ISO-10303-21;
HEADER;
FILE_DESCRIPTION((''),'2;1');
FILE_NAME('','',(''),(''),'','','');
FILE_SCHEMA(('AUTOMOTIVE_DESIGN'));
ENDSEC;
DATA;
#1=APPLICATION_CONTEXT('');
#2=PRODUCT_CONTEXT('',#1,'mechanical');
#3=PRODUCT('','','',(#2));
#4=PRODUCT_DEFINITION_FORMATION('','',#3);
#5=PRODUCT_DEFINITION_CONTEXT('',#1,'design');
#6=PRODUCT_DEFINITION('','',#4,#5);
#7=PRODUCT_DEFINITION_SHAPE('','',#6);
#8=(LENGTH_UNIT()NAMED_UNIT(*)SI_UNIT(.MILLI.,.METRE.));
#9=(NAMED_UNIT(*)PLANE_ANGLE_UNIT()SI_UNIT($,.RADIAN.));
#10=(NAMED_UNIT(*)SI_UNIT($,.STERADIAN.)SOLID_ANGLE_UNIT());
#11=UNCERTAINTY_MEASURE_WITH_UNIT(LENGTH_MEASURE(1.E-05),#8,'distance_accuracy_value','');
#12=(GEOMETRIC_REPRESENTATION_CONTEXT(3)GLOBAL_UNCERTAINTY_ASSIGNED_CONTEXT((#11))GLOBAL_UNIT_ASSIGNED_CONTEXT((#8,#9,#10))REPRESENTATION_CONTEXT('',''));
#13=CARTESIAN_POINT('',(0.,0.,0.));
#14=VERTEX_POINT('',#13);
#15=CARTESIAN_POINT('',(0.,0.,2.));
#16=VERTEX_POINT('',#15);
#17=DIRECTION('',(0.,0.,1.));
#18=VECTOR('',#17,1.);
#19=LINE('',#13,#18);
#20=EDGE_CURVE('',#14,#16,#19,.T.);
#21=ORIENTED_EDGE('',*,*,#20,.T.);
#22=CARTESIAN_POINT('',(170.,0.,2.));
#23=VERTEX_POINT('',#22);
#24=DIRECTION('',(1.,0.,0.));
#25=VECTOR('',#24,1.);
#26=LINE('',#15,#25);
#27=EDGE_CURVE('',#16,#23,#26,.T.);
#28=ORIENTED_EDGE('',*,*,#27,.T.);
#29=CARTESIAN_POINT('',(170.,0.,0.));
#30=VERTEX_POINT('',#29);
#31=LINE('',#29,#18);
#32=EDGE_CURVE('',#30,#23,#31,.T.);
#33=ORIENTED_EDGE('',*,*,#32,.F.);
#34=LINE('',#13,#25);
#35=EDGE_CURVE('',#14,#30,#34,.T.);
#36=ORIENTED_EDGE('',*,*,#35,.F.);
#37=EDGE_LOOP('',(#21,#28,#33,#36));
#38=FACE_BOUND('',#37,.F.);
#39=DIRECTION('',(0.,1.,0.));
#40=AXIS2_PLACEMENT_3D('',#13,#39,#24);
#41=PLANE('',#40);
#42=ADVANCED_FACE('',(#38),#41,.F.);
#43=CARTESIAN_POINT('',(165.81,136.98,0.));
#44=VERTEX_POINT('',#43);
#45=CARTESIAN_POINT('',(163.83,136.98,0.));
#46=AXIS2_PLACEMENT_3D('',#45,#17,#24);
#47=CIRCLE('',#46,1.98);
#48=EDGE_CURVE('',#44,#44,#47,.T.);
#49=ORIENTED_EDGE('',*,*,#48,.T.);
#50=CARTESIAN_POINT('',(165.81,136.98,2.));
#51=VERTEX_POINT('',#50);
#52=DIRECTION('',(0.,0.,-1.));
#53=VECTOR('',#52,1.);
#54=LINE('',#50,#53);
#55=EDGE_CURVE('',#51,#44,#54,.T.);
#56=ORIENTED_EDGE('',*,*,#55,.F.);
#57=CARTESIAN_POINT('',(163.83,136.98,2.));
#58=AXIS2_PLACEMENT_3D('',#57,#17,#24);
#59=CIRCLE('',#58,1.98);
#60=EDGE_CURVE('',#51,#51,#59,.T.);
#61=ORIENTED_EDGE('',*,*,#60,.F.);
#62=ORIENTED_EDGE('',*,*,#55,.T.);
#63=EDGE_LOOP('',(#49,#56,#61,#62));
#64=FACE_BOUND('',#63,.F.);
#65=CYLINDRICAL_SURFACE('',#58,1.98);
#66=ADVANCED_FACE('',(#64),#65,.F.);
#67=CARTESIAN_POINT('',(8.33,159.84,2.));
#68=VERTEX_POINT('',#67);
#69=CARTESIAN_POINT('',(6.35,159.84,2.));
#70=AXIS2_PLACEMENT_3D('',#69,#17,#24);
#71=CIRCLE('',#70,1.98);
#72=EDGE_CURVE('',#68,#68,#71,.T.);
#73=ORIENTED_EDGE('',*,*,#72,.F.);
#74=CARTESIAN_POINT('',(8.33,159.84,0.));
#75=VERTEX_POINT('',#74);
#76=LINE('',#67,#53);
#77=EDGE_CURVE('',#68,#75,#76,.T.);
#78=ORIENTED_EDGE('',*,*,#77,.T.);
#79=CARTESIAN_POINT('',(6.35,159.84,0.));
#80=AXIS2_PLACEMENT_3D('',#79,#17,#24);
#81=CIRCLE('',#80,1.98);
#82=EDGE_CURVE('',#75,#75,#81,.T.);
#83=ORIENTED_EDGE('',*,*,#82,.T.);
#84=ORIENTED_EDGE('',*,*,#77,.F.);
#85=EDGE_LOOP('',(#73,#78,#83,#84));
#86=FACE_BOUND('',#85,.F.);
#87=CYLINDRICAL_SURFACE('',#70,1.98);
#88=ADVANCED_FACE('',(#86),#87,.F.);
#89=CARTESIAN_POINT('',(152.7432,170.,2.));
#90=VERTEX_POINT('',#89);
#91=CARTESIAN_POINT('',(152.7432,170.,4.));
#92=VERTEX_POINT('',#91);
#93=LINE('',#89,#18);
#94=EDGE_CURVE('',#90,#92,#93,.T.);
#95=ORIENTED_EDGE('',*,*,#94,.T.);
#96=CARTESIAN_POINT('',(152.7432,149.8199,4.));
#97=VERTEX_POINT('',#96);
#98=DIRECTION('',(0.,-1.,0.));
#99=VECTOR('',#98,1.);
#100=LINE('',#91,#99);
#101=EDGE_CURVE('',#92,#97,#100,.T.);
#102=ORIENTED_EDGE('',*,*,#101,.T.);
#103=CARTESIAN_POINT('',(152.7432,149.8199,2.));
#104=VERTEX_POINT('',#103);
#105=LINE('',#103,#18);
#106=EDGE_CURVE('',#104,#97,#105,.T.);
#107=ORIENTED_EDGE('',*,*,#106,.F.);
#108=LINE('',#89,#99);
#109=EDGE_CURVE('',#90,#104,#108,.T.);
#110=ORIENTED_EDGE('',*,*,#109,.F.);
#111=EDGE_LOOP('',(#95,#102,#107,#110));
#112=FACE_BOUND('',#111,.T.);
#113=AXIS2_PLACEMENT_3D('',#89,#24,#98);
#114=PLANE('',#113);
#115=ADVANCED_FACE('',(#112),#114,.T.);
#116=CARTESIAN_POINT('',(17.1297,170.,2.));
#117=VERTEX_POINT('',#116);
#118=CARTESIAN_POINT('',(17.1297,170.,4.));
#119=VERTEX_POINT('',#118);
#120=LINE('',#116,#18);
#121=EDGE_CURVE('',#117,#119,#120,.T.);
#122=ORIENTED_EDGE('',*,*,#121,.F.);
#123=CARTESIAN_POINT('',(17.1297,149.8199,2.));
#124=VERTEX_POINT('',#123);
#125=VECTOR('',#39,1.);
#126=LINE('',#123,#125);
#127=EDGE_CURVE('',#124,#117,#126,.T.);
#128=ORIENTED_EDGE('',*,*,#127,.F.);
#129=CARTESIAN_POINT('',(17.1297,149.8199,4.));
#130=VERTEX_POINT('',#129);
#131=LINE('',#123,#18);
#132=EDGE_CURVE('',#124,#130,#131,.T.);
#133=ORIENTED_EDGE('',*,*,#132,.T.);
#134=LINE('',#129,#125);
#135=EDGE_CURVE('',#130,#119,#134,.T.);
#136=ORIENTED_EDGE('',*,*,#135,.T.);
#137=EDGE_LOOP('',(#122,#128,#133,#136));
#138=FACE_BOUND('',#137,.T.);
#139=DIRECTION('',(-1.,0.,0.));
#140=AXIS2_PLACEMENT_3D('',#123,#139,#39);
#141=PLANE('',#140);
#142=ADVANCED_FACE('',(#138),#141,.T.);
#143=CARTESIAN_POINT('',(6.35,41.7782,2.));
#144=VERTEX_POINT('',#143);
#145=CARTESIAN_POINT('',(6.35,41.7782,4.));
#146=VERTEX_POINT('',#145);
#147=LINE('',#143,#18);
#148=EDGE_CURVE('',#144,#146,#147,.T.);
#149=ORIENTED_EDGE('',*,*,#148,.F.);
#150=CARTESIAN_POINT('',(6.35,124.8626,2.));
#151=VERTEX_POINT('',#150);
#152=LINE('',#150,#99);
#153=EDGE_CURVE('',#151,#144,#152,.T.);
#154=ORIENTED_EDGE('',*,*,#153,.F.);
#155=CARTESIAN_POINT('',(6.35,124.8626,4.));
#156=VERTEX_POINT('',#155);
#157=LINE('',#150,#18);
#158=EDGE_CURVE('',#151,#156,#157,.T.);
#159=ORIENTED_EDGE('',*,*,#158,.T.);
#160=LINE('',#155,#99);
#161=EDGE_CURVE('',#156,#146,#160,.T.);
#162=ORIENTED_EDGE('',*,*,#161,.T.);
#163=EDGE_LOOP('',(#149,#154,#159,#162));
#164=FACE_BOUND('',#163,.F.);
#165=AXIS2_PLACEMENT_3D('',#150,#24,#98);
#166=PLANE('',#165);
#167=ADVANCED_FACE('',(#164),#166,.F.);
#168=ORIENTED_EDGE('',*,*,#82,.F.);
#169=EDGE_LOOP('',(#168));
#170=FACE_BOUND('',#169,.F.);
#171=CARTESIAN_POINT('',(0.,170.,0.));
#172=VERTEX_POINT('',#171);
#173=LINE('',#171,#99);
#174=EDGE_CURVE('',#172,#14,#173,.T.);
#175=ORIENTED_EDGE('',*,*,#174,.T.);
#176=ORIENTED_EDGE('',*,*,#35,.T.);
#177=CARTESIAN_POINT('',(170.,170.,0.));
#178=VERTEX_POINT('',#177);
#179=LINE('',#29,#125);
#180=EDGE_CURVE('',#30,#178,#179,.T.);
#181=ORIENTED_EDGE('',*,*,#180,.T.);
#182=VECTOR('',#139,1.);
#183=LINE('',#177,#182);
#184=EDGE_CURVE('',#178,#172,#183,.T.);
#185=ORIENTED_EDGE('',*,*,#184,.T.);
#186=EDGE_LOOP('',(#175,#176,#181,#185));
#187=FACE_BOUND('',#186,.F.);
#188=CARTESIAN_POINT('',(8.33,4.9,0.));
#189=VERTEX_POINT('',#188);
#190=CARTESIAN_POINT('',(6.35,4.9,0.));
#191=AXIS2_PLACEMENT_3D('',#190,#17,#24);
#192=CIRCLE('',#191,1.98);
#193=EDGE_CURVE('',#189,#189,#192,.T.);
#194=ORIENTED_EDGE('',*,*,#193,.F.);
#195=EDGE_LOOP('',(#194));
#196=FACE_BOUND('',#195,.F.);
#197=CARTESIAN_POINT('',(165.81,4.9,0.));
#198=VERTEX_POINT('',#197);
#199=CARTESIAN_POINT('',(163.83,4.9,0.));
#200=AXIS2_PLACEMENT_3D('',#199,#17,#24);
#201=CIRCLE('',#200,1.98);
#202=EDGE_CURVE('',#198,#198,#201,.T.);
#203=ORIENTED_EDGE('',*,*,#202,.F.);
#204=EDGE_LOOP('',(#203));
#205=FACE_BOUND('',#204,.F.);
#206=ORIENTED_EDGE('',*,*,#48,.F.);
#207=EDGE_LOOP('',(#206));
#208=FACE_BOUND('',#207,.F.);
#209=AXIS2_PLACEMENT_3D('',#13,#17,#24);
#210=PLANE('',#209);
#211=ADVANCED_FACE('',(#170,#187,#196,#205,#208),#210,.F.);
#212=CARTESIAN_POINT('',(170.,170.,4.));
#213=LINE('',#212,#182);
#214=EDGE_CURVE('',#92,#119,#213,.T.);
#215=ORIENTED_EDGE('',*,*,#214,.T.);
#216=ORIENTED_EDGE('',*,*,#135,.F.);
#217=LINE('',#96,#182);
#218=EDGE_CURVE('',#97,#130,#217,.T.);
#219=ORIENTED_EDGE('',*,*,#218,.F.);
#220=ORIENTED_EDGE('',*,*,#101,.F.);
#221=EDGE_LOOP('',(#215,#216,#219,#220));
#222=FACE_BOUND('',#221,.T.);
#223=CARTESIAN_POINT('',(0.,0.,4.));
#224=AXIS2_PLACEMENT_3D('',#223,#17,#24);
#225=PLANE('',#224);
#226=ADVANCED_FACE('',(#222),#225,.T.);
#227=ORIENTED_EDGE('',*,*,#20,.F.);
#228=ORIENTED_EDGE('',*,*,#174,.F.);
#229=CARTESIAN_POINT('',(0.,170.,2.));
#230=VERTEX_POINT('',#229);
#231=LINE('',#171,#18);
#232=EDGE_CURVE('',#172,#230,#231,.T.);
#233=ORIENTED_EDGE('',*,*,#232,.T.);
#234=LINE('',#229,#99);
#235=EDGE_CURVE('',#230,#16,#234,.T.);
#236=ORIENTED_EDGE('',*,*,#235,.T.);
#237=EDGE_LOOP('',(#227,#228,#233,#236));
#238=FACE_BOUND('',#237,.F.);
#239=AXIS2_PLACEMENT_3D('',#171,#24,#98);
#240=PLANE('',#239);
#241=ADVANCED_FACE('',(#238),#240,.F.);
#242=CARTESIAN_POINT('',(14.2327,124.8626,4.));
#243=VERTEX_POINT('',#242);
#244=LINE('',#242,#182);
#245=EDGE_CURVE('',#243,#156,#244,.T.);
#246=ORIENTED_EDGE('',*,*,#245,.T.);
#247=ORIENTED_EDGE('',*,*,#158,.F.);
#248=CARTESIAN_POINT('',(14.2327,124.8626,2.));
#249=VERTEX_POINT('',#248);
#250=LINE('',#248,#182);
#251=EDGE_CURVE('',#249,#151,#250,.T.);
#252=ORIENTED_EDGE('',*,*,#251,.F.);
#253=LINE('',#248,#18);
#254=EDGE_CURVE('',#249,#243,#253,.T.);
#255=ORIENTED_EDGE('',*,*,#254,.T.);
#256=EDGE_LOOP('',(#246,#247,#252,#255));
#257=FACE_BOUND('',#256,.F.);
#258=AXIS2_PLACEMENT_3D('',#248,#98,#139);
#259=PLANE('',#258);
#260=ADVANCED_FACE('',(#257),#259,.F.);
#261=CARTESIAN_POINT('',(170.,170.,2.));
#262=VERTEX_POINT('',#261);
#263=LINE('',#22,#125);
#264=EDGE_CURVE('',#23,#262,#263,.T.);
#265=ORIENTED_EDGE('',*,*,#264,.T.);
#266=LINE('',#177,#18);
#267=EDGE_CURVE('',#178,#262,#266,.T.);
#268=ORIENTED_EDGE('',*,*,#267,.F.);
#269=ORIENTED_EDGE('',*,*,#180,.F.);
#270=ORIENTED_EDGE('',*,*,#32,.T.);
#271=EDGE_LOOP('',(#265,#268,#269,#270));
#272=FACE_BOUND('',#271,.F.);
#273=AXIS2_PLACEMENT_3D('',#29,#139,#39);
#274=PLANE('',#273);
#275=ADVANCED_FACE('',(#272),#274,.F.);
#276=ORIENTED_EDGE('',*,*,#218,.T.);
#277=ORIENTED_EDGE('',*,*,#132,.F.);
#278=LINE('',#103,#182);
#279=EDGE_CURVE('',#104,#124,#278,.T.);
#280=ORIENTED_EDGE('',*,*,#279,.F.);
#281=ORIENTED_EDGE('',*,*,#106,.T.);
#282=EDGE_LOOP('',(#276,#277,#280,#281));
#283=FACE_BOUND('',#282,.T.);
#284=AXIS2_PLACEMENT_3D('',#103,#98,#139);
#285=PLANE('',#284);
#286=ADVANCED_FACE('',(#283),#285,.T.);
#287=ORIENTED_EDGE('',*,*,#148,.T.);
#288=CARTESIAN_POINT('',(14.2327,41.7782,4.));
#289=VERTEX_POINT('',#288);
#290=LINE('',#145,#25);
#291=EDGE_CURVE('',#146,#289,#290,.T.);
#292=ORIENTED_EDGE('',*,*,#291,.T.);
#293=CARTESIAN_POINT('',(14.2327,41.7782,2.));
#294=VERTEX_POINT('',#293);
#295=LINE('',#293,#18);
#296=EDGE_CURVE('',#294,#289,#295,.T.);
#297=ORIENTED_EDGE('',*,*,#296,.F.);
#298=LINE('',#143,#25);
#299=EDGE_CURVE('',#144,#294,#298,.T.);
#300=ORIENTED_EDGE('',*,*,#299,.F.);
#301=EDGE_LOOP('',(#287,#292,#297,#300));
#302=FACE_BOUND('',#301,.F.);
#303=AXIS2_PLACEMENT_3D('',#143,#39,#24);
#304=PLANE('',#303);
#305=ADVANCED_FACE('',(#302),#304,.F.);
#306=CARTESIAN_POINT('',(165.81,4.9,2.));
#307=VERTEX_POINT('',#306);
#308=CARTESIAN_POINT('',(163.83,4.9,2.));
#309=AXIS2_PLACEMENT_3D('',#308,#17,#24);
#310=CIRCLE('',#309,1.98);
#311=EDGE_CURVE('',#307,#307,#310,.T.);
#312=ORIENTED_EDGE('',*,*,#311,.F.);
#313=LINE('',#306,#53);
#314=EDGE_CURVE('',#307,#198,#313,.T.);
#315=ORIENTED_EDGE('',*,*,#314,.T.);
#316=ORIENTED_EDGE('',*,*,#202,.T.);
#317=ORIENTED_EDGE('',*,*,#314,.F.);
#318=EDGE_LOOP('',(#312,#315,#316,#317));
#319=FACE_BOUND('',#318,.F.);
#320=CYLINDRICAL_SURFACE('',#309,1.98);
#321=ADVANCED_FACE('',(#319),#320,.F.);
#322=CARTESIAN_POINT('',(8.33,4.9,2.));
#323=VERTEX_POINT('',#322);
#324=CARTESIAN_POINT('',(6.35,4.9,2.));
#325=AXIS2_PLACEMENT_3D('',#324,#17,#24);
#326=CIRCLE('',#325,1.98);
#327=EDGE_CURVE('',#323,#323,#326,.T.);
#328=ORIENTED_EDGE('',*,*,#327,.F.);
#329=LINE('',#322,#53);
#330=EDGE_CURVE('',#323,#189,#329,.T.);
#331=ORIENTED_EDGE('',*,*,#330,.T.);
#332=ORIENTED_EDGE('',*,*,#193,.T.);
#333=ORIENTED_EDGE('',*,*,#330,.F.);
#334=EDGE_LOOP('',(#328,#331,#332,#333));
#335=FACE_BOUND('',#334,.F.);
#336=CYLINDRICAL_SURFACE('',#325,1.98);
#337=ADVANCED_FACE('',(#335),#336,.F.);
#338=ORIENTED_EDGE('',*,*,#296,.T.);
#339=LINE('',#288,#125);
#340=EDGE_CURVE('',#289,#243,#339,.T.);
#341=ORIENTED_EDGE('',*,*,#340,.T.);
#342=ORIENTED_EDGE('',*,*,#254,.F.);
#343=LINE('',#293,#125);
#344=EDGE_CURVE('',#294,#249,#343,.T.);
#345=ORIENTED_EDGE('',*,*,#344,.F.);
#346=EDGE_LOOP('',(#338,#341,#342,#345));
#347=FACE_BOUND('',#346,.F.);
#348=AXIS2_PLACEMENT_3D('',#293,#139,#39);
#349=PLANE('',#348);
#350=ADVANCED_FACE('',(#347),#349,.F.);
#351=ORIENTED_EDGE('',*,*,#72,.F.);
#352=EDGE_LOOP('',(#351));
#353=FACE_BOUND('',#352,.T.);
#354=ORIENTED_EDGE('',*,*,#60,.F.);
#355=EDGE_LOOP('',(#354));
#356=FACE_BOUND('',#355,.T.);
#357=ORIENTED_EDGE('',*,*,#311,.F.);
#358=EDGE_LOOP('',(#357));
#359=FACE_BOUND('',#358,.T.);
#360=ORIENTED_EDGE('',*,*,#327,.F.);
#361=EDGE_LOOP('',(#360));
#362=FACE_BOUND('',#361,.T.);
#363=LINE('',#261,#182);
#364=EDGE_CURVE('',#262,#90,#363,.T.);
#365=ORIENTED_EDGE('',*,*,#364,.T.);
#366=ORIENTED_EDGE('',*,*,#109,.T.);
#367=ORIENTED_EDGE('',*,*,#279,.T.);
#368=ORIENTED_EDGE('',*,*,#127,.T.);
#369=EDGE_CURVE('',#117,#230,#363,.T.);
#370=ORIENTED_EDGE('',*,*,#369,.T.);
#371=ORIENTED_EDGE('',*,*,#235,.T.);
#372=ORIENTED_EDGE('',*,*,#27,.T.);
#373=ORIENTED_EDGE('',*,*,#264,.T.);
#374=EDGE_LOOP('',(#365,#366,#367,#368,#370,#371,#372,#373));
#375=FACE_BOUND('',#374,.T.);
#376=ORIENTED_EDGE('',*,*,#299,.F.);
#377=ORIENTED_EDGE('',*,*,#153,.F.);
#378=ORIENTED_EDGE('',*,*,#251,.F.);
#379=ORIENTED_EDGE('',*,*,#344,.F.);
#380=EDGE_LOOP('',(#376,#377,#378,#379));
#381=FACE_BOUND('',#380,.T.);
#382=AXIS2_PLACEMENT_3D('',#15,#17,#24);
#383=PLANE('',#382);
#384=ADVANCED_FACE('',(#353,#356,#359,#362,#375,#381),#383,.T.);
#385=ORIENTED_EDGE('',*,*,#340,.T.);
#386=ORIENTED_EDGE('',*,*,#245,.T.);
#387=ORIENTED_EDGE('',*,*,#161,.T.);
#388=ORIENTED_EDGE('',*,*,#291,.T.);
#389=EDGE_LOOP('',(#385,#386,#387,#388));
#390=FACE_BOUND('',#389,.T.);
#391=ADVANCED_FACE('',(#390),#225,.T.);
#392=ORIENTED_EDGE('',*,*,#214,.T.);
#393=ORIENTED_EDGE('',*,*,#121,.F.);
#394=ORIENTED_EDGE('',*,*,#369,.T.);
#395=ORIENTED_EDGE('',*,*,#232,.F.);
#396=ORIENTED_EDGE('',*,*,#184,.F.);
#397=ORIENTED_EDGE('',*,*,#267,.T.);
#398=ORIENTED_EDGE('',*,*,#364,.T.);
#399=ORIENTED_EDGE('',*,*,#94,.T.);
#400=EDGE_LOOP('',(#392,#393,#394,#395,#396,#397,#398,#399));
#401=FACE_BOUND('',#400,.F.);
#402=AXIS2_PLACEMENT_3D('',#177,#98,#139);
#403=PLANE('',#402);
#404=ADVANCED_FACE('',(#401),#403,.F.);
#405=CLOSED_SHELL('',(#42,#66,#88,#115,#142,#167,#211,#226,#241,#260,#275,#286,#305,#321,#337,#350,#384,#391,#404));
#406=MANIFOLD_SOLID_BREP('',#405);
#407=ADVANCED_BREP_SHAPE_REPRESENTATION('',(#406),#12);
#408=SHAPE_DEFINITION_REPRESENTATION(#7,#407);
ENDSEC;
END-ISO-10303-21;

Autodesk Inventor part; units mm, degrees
ref_plane "YZ Plane" through (0, 0, 0) normal (1, 0, 0) x (0, 1, 0)
ref_plane "XZ Plane" through (0, 0, 0) normal (0, 1, 0) x (-1, 0, 0)
ref_plane "XY Plane" through (0, 0, 0) normal (0, 0, 1) x (1, 0, 0)
sketch "Sketch1" plane through (0, 0, 0) normal (0, 0, 1) x (1, 0, 0)
  line L0 (0, 0) -> (170, 0)
  line L1 (170, 0) -> (170, 170)
  line L2 (170, 170) -> (0, 170)
  line L3 (0, 170) -> (0, 0)
  dimension "d0" = 170
  dimension "d1" = 170
extrude "Extrusion1" add sketch "Sketch1" along normal blind 2
sketch "Sketch2" plane through (0, 0, 2) normal (0, 0, 1) x (1, 0, 0)
  line L0 (170, 170) -> (0, 170) projected
  line L1 (0, 170) -> (0, 0) projected
  line L2 (0, 170) -> (0, 159.84) construction
  line L3 (0, 159.84) -> (6.35, 159.84) construction
  line L4 (6.35, 170) -> (163.83, 170) construction
  line L5 (163.83, 170) -> (163.83, 136.98) construction
  line L6 (6.35, 159.84) -> (6.35, 4.9) construction
  line L7 (6.35, 4.9) -> (163.83, 4.9) construction
  circle A0 centre (6.35, 159.84) radius 1.98
  circle A1 centre (163.83, 136.98) radius 1.98
  circle A2 centre (6.35, 4.9) radius 1.98
  circle A3 centre (163.83, 4.9) radius 1.98
  dimension "d4" = 10.16
  dimension "d5" = 6.35
  dimension "d6" = 157.48
  dimension "d7" = 33.02
  dimension "d8" = 154.94
  dimension "d9" = 3.96
  dimension "d10" = 3.96
  dimension "d11" = 3.96
  dimension "d12" = 3.96
extrude "Extrusion2" cut sketch "Sketch2" against normal blind 2
sketch "Sketch3" plane through (0, 0, 2) normal (0, 0, 1) x (1, 0, 0)
  line L0 (14.2327, 124.8626) -> (6.35, 124.8626)
  line L1 (6.35, 124.8626) -> (6.35, 41.7782)
  line L2 (6.35, 41.7782) -> (14.2327, 41.7782)
  line L3 (14.2327, 41.7782) -> (14.2327, 124.8626)
extrude "Extrusion3" add sketch "Sketch3" along normal blind 2
sketch "Sketch4" plane through (0, 0, 4) normal (0, 0, 1) x (1, 0, 0)
  line L0 (14.2327, 124.8626) -> (6.35, 124.8626) projected
  line L1 (6.35, 124.8626) -> (6.35, 41.7782) projected
  line L2 (6.35, 41.7782) -> (14.2327, 41.7782) projected
  line L3 (14.2327, 41.7782) -> (14.2327, 124.8626) projected
  line L4 (12.3491, 93.2345) -> (12.3491, 74.2867) construction
  line L5 (12.3491, 74.2867) -> (8.2093, 74.2867) construction
  line L6 (8.2093, 74.2867) -> (8.2093, 93.2345) construction
  line L7 (8.2093, 93.2345) -> (12.3491, 93.2345) construction
  point P0 (0, 0)
sketch "Sketch5" plane through (0, 0, 2) normal (0, 0, 1) x (1, 0, 0)
  line L0 (170, 170) -> (0, 170) projected
  line L1 (17.1297, 170) -> (152.7432, 170)
  line L2 (152.7432, 170) -> (152.7432, 149.8199)
  line L3 (152.7432, 149.8199) -> (17.1297, 149.8199)
  line L4 (17.1297, 149.8199) -> (17.1297, 170)
extrude "Extrusion4" add sketch "Sketch5" along normal blind 2
sketch "Sketch6" plane through (0, 0, 4) normal (0, 0, 1) x (1, 0, 0)
  line L0 (17.1297, 170) -> (17.1297, 149.8199) projected
  line L1 (17.1297, 149.8199) -> (152.7432, 149.8199) projected
  line L2 (152.7432, 149.8199) -> (152.7432, 170) projected
  line L3 (152.7432, 170) -> (17.1297, 170) projected
  line L4 (74.7193, 163.8007) -> (99.6305, 163.8007) construction
  line L5 (99.6305, 163.8007) -> (99.6305, 158.8439) construction
  line L6 (99.6305, 158.8439) -> (74.7193, 158.8439) construction
  line L7 (74.7193, 158.8439) -> (74.7193, 163.8007) construction
  point P0 (0, 0)
properties part number "mini itx motherboard"
